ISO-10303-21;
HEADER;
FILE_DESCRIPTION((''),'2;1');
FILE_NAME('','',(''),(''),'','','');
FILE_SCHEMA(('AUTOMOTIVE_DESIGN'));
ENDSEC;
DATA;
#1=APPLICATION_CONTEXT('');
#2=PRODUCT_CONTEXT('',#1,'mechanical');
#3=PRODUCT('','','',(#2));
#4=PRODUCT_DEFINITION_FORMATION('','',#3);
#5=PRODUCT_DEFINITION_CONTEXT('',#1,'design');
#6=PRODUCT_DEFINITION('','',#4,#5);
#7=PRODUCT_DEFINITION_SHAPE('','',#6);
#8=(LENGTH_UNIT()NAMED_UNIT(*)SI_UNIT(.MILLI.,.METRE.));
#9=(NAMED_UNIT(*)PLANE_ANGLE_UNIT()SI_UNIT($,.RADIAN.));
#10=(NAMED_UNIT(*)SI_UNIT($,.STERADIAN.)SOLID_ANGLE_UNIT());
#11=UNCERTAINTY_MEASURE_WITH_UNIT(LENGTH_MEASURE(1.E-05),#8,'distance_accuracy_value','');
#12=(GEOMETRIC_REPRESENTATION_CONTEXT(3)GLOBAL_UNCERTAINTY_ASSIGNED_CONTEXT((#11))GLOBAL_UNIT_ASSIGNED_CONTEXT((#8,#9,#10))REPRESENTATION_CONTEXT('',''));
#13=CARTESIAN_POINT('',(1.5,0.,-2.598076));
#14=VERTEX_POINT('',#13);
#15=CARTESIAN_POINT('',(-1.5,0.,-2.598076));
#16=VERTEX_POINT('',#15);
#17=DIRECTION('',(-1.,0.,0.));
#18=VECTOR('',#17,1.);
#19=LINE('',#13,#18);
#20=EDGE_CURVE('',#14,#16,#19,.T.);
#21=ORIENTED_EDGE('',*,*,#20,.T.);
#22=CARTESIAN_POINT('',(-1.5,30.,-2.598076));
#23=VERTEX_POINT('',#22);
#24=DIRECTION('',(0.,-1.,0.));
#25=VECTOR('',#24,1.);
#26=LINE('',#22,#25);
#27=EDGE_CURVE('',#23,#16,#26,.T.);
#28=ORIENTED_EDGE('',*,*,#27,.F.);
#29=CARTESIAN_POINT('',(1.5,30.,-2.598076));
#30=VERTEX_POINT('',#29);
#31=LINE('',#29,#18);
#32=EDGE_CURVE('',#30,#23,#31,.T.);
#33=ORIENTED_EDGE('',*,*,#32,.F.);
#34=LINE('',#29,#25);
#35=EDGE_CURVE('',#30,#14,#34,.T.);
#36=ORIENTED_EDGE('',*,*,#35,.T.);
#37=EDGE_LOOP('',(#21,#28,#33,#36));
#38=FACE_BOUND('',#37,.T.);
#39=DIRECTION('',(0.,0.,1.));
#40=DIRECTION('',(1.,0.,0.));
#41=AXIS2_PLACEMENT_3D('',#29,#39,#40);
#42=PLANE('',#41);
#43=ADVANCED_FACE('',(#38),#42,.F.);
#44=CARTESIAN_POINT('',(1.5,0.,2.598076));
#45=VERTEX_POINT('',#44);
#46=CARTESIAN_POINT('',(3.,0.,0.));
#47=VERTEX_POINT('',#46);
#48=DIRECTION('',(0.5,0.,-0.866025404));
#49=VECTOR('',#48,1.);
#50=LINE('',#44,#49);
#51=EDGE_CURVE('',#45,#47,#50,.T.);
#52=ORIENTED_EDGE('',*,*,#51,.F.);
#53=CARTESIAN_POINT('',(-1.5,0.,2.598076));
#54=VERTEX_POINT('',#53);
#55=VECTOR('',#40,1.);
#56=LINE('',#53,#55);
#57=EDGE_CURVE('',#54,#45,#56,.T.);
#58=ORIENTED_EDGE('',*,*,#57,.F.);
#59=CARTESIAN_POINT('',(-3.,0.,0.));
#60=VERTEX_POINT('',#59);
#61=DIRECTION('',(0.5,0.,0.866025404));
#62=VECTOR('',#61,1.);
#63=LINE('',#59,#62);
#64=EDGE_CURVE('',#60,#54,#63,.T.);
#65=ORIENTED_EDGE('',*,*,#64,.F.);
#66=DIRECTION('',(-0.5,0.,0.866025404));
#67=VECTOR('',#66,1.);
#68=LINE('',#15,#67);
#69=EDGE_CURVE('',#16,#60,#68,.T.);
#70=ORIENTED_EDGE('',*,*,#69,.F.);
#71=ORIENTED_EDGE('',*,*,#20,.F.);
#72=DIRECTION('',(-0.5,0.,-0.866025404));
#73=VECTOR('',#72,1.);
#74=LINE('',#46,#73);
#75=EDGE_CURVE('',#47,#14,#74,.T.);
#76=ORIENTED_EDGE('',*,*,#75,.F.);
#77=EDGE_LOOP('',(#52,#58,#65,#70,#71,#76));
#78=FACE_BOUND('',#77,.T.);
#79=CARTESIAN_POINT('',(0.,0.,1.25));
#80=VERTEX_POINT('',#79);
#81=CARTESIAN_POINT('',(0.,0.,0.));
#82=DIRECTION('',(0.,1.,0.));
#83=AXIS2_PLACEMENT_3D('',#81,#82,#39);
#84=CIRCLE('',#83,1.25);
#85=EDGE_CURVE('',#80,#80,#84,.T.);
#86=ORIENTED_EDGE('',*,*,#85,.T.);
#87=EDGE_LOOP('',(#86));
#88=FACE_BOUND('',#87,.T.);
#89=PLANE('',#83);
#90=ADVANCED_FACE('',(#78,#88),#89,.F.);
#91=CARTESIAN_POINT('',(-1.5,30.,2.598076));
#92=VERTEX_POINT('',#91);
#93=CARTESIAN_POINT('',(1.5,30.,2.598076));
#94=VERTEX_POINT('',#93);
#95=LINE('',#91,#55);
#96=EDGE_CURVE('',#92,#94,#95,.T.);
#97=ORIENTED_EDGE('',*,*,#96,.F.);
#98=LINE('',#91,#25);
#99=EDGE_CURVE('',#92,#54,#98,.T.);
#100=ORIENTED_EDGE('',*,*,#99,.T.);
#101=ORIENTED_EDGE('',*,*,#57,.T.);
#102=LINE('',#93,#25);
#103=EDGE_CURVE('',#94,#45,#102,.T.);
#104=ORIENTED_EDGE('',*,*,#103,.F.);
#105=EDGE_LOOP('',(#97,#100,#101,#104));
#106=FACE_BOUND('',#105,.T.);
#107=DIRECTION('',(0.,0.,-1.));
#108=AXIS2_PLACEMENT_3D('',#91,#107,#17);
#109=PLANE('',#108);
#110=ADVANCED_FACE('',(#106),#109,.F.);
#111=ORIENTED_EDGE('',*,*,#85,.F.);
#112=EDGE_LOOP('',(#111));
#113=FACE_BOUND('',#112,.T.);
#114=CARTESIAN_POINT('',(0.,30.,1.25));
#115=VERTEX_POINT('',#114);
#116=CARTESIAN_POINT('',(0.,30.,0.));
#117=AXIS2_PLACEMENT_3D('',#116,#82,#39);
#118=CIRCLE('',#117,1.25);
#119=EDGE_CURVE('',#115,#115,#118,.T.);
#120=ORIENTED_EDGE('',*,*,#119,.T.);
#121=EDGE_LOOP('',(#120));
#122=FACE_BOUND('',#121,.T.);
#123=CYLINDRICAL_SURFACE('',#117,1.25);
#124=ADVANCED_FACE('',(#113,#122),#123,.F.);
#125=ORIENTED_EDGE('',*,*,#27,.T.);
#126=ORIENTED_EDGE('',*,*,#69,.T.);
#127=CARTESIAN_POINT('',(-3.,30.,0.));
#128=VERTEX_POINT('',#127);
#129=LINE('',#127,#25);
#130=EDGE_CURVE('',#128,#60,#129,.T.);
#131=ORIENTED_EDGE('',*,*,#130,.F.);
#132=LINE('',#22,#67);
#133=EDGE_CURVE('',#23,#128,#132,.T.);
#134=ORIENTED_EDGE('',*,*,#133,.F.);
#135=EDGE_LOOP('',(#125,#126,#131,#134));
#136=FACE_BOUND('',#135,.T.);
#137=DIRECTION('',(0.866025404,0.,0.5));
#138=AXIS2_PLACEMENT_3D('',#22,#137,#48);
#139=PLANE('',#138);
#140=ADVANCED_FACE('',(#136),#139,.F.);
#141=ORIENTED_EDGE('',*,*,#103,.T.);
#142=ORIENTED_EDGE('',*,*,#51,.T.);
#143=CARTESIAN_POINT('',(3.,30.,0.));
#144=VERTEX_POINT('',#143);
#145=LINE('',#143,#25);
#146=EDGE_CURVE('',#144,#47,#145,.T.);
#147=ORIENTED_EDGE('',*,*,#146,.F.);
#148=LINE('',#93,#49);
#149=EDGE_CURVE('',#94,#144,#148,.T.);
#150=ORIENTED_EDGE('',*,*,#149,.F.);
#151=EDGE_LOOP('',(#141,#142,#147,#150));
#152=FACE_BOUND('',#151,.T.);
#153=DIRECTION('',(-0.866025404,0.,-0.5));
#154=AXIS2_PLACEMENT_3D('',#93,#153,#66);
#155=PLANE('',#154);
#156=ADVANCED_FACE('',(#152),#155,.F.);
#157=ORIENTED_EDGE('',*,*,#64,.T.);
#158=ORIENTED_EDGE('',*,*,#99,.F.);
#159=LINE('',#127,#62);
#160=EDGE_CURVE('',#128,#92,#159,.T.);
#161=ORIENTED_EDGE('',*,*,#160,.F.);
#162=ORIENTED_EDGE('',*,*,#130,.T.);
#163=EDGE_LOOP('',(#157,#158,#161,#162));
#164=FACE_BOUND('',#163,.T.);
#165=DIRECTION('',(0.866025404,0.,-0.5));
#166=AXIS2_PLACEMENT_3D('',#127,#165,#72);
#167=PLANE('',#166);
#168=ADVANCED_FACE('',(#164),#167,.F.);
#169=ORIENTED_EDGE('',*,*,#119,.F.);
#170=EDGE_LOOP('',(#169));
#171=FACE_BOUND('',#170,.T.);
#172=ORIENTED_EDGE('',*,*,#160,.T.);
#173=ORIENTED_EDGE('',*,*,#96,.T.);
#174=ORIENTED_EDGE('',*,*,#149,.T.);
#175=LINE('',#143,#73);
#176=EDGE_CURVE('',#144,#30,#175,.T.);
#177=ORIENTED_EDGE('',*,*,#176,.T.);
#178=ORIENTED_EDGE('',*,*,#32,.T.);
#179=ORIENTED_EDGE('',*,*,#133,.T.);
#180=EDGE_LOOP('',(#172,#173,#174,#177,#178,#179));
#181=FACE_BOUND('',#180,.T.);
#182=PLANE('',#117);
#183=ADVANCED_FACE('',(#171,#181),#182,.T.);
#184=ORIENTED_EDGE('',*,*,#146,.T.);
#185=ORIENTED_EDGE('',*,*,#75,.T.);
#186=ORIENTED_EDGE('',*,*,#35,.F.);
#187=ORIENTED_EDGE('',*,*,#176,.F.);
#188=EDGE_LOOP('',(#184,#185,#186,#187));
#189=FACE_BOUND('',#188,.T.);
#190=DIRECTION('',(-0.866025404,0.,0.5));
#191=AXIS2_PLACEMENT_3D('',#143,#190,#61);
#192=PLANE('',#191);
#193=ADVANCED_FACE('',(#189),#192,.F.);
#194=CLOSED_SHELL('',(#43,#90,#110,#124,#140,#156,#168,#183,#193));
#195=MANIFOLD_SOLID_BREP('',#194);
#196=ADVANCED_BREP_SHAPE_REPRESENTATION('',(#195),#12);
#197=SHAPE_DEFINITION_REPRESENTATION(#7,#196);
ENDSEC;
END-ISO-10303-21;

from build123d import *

# Parameters (mm, degrees)
EXTRUDE_1_DEPTH    = 30
HOLE_WIZARD_M3_1_D = 2.5


with BuildPart() as part:
    # 草图1 → 凸台-拉伸1 (new body)
    with BuildSketch(Plane(origin=(0, 0, 0), x_dir=(1, 0, 0), z_dir=(0, 1, 0))):
        Polygon((1.5, 2.598076211), (-1.5, 2.598076211), (-3, 0), (-1.5, -2.598076211), (1.5, -2.598076211), (3, 0), align=None)
    extrude(amount=EXTRUDE_1_DEPTH)

    # M3 螺纹孔1 (through all)
    with Locations(Plane(origin=(0, 30, 0), x_dir=(1, 0, 0), z_dir=(0, 1, 0))):
        with Locations((0, 0)):
            Hole(HOLE_WIZARD_M3_1_D / 2)


solid = part.part
